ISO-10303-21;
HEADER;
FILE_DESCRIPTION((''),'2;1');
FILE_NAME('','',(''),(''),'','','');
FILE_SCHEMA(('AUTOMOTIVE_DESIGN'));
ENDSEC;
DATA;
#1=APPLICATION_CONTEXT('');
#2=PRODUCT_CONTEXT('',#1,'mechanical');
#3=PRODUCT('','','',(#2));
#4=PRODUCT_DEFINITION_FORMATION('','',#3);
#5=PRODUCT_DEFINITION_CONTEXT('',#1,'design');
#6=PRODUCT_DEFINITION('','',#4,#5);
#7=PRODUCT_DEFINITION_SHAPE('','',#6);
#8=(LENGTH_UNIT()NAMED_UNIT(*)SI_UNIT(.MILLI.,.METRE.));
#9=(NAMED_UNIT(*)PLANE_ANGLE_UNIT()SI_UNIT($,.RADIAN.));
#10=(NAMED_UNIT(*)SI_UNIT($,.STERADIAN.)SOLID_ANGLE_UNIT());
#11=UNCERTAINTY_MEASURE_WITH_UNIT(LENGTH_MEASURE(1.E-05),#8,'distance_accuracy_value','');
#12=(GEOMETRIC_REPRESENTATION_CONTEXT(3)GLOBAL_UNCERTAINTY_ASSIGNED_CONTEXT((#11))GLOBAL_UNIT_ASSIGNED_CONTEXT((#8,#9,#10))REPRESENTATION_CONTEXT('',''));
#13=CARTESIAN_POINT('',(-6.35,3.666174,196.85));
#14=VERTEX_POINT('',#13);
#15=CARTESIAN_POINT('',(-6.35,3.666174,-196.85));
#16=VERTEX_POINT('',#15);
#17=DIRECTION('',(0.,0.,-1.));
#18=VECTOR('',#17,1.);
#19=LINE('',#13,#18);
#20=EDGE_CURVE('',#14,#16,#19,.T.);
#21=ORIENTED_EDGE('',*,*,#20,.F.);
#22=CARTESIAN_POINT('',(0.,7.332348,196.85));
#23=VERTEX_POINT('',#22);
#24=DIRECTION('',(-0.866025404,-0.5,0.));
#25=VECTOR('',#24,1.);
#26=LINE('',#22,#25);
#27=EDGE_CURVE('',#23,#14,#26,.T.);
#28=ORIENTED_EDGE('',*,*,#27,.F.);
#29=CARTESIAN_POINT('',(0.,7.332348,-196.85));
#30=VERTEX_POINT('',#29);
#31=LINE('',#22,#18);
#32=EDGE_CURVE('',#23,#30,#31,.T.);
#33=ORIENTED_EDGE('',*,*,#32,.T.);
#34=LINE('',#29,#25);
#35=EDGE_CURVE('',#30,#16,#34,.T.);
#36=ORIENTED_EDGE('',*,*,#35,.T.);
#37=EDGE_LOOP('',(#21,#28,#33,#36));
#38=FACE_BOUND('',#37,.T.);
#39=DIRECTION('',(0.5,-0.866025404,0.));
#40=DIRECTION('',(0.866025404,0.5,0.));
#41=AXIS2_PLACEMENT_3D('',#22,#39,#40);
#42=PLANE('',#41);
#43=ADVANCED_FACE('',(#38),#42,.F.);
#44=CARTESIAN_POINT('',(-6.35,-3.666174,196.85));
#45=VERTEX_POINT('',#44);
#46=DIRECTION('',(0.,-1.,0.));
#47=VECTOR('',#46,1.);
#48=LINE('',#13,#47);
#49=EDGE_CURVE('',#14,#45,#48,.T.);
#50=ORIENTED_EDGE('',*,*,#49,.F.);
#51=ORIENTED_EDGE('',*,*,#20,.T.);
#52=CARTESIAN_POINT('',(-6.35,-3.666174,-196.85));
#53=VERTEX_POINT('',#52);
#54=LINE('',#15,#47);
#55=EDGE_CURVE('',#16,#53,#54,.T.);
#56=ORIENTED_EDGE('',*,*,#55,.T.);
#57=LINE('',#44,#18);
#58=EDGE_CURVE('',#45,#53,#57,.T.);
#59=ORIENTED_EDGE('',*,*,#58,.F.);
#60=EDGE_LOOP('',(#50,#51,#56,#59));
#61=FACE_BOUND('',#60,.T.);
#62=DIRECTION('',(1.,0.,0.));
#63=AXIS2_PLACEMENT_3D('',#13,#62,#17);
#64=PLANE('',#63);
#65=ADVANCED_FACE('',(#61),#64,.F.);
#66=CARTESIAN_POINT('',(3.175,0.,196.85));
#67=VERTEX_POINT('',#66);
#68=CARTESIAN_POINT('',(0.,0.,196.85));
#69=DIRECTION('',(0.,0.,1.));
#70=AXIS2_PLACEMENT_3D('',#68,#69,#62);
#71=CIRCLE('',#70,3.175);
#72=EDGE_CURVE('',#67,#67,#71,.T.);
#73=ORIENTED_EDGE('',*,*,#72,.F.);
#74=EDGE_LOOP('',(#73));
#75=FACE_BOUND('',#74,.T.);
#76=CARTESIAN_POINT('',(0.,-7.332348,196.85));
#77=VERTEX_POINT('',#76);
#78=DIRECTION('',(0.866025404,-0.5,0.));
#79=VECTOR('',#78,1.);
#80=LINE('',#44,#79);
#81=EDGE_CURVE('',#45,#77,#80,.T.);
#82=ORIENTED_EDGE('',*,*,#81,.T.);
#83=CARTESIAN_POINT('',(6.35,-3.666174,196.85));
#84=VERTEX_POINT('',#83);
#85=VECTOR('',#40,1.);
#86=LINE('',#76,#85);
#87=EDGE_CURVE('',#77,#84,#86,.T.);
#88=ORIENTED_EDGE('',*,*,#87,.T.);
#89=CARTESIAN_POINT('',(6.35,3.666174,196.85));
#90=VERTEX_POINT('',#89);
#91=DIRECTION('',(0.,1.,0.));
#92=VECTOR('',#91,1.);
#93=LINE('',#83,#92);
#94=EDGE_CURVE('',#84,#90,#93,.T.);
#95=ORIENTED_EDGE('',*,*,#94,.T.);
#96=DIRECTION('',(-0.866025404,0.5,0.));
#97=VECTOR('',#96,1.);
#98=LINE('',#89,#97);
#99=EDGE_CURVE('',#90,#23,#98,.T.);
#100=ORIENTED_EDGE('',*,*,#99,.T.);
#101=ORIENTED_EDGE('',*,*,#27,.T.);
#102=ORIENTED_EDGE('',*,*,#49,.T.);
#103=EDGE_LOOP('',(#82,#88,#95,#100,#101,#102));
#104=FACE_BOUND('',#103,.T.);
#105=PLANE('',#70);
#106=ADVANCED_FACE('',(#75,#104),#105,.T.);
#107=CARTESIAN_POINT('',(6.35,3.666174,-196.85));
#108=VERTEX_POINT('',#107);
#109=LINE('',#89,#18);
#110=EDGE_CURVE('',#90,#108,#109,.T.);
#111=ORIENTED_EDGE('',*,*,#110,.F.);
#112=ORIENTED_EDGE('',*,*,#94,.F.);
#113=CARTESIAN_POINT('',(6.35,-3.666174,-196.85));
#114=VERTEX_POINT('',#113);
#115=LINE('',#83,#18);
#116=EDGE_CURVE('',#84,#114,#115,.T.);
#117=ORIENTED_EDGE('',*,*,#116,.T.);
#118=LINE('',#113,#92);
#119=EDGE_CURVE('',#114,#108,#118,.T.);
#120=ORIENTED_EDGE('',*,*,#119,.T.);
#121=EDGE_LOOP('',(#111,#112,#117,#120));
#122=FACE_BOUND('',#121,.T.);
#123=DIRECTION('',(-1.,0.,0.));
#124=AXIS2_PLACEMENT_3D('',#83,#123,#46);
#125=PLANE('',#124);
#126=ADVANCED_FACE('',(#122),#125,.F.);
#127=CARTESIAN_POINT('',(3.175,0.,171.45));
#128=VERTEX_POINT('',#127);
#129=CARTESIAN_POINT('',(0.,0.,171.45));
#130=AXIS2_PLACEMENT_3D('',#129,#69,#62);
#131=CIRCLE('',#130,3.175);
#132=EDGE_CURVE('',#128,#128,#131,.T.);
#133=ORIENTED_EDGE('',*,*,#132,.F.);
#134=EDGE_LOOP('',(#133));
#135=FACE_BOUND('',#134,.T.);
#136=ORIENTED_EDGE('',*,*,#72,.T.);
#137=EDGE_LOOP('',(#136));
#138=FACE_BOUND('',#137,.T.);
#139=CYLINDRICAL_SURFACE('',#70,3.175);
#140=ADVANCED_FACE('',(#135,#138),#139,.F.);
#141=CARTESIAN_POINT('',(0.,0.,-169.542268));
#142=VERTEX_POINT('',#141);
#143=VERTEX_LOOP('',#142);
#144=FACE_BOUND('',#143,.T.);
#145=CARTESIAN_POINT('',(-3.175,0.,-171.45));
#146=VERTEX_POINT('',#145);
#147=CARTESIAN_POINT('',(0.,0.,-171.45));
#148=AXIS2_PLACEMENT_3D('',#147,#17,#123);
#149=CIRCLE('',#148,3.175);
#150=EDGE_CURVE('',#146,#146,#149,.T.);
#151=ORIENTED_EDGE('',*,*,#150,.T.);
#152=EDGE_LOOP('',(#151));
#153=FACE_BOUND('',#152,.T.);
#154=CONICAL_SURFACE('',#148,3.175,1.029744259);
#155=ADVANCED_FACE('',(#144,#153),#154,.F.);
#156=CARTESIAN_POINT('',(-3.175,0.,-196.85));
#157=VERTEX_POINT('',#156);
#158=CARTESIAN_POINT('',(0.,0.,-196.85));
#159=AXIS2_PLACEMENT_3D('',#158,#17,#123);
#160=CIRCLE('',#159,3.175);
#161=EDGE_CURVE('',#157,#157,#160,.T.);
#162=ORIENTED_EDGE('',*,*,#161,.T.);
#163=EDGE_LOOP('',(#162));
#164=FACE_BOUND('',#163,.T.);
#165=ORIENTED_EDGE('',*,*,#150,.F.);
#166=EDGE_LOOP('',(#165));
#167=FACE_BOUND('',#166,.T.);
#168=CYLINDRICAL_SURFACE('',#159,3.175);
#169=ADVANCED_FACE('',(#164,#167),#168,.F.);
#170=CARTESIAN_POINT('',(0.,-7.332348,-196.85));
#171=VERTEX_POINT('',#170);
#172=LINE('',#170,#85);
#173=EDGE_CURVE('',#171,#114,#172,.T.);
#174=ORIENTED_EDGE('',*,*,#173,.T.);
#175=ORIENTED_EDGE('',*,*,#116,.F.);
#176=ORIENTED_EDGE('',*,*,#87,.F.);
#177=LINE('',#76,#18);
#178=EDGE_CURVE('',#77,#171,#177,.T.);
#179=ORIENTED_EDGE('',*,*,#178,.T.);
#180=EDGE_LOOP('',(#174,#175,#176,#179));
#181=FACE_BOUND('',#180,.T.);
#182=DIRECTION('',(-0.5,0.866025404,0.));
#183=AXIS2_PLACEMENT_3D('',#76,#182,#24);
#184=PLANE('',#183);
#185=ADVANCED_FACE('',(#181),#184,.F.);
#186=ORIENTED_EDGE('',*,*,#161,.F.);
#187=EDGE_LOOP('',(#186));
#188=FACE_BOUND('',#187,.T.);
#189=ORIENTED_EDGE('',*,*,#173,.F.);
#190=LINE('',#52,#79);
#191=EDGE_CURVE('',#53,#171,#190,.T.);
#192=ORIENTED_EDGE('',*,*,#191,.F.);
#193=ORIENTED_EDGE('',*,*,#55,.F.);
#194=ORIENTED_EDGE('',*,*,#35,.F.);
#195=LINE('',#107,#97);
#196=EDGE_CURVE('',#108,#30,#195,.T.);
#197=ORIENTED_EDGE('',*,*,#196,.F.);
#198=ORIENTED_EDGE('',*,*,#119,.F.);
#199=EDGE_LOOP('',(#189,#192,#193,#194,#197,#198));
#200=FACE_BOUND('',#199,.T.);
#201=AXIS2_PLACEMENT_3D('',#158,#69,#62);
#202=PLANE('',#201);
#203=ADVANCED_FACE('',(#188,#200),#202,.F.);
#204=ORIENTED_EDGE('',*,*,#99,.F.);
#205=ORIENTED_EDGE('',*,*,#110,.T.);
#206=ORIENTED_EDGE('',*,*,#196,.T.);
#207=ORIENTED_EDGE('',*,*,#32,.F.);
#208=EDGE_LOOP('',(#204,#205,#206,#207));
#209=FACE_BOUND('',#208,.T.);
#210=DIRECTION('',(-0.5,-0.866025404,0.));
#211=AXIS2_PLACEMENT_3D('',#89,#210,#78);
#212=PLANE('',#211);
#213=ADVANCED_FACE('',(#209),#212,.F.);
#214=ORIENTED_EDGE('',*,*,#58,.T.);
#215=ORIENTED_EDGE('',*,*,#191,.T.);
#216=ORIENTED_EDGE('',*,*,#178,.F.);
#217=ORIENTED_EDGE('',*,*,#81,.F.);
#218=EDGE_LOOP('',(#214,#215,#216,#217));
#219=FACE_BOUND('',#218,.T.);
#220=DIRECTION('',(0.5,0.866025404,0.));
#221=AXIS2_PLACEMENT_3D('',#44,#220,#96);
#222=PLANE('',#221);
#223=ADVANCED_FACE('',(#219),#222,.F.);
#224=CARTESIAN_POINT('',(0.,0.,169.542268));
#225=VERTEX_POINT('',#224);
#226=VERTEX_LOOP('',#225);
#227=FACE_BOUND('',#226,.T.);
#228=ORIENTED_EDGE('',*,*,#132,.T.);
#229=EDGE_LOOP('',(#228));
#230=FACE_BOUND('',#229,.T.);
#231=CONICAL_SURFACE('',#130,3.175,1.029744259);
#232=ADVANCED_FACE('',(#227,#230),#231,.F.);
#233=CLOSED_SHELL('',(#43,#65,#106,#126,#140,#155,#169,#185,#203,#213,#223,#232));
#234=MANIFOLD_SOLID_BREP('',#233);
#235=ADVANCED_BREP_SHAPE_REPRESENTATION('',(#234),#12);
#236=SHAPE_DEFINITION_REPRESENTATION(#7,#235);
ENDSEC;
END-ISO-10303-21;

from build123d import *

# Parameters (mm, degrees)
BOSS_EXTRUDE2_DEPTH             = 196.85
BOSS_EXTRUDE2_DEPTH_BACK        = 196.85
F_1_4_0_25_DIAMETER_HOLE1_D     = 6.35
F_1_4_0_25_DIAMETER_HOLE1_DEPTH = 25.4
F_1_4_0_25_DIAMETER_HOLE1_TIP   = 1.907732465
F_1_4_0_25_DIAMETER_HOLE2_D     = 6.35
F_1_4_0_25_DIAMETER_HOLE2_DEPTH = 25.4
F_1_4_0_25_DIAMETER_HOLE2_TIP   = 1.907732465


with BuildPart() as part:
    # Sketch3 → Boss-Extrude2 (new, two sides: drawn at the far end of the back side and taken through both)
    with BuildSketch(Plane.XY.offset(-BOSS_EXTRUDE2_DEPTH_BACK)):
        Polygon((-6.35, -3.666174209), (0, -7.332348419), (6.35, -3.666174209), (6.35, 3.666174209), (0, 7.332348419), (-6.35, 3.666174209), align=None)
    extrude(amount=BOSS_EXTRUDE2_DEPTH + BOSS_EXTRUDE2_DEPTH_BACK)

    # 1/4 (0.25) Diameter Hole1
    with Locations(Plane.XY.offset(196.85)):
        with Locations((0, 0)):
            Hole(F_1_4_0_25_DIAMETER_HOLE1_D / 2, depth=F_1_4_0_25_DIAMETER_HOLE1_DEPTH)
            with Locations((0, 0, -(F_1_4_0_25_DIAMETER_HOLE1_DEPTH + F_1_4_0_25_DIAMETER_HOLE1_TIP / 2))):  # 118° drill point
                Cone(0, F_1_4_0_25_DIAMETER_HOLE1_D / 2, F_1_4_0_25_DIAMETER_HOLE1_TIP, mode=Mode.SUBTRACT)

    # 1/4 (0.25) Diameter Hole2
    with Locations(Plane(origin=(0, 0, -196.85), x_dir=(-1, 0, 0), z_dir=(0, 0, -1))):
        with Locations((0, 0)):
            Hole(F_1_4_0_25_DIAMETER_HOLE2_D / 2, depth=F_1_4_0_25_DIAMETER_HOLE2_DEPTH)
            with Locations((0, 0, -(F_1_4_0_25_DIAMETER_HOLE2_DEPTH + F_1_4_0_25_DIAMETER_HOLE2_TIP / 2))):  # 118° drill point
                Cone(0, F_1_4_0_25_DIAMETER_HOLE2_D / 2, F_1_4_0_25_DIAMETER_HOLE2_TIP, mode=Mode.SUBTRACT)


solid = part.part
